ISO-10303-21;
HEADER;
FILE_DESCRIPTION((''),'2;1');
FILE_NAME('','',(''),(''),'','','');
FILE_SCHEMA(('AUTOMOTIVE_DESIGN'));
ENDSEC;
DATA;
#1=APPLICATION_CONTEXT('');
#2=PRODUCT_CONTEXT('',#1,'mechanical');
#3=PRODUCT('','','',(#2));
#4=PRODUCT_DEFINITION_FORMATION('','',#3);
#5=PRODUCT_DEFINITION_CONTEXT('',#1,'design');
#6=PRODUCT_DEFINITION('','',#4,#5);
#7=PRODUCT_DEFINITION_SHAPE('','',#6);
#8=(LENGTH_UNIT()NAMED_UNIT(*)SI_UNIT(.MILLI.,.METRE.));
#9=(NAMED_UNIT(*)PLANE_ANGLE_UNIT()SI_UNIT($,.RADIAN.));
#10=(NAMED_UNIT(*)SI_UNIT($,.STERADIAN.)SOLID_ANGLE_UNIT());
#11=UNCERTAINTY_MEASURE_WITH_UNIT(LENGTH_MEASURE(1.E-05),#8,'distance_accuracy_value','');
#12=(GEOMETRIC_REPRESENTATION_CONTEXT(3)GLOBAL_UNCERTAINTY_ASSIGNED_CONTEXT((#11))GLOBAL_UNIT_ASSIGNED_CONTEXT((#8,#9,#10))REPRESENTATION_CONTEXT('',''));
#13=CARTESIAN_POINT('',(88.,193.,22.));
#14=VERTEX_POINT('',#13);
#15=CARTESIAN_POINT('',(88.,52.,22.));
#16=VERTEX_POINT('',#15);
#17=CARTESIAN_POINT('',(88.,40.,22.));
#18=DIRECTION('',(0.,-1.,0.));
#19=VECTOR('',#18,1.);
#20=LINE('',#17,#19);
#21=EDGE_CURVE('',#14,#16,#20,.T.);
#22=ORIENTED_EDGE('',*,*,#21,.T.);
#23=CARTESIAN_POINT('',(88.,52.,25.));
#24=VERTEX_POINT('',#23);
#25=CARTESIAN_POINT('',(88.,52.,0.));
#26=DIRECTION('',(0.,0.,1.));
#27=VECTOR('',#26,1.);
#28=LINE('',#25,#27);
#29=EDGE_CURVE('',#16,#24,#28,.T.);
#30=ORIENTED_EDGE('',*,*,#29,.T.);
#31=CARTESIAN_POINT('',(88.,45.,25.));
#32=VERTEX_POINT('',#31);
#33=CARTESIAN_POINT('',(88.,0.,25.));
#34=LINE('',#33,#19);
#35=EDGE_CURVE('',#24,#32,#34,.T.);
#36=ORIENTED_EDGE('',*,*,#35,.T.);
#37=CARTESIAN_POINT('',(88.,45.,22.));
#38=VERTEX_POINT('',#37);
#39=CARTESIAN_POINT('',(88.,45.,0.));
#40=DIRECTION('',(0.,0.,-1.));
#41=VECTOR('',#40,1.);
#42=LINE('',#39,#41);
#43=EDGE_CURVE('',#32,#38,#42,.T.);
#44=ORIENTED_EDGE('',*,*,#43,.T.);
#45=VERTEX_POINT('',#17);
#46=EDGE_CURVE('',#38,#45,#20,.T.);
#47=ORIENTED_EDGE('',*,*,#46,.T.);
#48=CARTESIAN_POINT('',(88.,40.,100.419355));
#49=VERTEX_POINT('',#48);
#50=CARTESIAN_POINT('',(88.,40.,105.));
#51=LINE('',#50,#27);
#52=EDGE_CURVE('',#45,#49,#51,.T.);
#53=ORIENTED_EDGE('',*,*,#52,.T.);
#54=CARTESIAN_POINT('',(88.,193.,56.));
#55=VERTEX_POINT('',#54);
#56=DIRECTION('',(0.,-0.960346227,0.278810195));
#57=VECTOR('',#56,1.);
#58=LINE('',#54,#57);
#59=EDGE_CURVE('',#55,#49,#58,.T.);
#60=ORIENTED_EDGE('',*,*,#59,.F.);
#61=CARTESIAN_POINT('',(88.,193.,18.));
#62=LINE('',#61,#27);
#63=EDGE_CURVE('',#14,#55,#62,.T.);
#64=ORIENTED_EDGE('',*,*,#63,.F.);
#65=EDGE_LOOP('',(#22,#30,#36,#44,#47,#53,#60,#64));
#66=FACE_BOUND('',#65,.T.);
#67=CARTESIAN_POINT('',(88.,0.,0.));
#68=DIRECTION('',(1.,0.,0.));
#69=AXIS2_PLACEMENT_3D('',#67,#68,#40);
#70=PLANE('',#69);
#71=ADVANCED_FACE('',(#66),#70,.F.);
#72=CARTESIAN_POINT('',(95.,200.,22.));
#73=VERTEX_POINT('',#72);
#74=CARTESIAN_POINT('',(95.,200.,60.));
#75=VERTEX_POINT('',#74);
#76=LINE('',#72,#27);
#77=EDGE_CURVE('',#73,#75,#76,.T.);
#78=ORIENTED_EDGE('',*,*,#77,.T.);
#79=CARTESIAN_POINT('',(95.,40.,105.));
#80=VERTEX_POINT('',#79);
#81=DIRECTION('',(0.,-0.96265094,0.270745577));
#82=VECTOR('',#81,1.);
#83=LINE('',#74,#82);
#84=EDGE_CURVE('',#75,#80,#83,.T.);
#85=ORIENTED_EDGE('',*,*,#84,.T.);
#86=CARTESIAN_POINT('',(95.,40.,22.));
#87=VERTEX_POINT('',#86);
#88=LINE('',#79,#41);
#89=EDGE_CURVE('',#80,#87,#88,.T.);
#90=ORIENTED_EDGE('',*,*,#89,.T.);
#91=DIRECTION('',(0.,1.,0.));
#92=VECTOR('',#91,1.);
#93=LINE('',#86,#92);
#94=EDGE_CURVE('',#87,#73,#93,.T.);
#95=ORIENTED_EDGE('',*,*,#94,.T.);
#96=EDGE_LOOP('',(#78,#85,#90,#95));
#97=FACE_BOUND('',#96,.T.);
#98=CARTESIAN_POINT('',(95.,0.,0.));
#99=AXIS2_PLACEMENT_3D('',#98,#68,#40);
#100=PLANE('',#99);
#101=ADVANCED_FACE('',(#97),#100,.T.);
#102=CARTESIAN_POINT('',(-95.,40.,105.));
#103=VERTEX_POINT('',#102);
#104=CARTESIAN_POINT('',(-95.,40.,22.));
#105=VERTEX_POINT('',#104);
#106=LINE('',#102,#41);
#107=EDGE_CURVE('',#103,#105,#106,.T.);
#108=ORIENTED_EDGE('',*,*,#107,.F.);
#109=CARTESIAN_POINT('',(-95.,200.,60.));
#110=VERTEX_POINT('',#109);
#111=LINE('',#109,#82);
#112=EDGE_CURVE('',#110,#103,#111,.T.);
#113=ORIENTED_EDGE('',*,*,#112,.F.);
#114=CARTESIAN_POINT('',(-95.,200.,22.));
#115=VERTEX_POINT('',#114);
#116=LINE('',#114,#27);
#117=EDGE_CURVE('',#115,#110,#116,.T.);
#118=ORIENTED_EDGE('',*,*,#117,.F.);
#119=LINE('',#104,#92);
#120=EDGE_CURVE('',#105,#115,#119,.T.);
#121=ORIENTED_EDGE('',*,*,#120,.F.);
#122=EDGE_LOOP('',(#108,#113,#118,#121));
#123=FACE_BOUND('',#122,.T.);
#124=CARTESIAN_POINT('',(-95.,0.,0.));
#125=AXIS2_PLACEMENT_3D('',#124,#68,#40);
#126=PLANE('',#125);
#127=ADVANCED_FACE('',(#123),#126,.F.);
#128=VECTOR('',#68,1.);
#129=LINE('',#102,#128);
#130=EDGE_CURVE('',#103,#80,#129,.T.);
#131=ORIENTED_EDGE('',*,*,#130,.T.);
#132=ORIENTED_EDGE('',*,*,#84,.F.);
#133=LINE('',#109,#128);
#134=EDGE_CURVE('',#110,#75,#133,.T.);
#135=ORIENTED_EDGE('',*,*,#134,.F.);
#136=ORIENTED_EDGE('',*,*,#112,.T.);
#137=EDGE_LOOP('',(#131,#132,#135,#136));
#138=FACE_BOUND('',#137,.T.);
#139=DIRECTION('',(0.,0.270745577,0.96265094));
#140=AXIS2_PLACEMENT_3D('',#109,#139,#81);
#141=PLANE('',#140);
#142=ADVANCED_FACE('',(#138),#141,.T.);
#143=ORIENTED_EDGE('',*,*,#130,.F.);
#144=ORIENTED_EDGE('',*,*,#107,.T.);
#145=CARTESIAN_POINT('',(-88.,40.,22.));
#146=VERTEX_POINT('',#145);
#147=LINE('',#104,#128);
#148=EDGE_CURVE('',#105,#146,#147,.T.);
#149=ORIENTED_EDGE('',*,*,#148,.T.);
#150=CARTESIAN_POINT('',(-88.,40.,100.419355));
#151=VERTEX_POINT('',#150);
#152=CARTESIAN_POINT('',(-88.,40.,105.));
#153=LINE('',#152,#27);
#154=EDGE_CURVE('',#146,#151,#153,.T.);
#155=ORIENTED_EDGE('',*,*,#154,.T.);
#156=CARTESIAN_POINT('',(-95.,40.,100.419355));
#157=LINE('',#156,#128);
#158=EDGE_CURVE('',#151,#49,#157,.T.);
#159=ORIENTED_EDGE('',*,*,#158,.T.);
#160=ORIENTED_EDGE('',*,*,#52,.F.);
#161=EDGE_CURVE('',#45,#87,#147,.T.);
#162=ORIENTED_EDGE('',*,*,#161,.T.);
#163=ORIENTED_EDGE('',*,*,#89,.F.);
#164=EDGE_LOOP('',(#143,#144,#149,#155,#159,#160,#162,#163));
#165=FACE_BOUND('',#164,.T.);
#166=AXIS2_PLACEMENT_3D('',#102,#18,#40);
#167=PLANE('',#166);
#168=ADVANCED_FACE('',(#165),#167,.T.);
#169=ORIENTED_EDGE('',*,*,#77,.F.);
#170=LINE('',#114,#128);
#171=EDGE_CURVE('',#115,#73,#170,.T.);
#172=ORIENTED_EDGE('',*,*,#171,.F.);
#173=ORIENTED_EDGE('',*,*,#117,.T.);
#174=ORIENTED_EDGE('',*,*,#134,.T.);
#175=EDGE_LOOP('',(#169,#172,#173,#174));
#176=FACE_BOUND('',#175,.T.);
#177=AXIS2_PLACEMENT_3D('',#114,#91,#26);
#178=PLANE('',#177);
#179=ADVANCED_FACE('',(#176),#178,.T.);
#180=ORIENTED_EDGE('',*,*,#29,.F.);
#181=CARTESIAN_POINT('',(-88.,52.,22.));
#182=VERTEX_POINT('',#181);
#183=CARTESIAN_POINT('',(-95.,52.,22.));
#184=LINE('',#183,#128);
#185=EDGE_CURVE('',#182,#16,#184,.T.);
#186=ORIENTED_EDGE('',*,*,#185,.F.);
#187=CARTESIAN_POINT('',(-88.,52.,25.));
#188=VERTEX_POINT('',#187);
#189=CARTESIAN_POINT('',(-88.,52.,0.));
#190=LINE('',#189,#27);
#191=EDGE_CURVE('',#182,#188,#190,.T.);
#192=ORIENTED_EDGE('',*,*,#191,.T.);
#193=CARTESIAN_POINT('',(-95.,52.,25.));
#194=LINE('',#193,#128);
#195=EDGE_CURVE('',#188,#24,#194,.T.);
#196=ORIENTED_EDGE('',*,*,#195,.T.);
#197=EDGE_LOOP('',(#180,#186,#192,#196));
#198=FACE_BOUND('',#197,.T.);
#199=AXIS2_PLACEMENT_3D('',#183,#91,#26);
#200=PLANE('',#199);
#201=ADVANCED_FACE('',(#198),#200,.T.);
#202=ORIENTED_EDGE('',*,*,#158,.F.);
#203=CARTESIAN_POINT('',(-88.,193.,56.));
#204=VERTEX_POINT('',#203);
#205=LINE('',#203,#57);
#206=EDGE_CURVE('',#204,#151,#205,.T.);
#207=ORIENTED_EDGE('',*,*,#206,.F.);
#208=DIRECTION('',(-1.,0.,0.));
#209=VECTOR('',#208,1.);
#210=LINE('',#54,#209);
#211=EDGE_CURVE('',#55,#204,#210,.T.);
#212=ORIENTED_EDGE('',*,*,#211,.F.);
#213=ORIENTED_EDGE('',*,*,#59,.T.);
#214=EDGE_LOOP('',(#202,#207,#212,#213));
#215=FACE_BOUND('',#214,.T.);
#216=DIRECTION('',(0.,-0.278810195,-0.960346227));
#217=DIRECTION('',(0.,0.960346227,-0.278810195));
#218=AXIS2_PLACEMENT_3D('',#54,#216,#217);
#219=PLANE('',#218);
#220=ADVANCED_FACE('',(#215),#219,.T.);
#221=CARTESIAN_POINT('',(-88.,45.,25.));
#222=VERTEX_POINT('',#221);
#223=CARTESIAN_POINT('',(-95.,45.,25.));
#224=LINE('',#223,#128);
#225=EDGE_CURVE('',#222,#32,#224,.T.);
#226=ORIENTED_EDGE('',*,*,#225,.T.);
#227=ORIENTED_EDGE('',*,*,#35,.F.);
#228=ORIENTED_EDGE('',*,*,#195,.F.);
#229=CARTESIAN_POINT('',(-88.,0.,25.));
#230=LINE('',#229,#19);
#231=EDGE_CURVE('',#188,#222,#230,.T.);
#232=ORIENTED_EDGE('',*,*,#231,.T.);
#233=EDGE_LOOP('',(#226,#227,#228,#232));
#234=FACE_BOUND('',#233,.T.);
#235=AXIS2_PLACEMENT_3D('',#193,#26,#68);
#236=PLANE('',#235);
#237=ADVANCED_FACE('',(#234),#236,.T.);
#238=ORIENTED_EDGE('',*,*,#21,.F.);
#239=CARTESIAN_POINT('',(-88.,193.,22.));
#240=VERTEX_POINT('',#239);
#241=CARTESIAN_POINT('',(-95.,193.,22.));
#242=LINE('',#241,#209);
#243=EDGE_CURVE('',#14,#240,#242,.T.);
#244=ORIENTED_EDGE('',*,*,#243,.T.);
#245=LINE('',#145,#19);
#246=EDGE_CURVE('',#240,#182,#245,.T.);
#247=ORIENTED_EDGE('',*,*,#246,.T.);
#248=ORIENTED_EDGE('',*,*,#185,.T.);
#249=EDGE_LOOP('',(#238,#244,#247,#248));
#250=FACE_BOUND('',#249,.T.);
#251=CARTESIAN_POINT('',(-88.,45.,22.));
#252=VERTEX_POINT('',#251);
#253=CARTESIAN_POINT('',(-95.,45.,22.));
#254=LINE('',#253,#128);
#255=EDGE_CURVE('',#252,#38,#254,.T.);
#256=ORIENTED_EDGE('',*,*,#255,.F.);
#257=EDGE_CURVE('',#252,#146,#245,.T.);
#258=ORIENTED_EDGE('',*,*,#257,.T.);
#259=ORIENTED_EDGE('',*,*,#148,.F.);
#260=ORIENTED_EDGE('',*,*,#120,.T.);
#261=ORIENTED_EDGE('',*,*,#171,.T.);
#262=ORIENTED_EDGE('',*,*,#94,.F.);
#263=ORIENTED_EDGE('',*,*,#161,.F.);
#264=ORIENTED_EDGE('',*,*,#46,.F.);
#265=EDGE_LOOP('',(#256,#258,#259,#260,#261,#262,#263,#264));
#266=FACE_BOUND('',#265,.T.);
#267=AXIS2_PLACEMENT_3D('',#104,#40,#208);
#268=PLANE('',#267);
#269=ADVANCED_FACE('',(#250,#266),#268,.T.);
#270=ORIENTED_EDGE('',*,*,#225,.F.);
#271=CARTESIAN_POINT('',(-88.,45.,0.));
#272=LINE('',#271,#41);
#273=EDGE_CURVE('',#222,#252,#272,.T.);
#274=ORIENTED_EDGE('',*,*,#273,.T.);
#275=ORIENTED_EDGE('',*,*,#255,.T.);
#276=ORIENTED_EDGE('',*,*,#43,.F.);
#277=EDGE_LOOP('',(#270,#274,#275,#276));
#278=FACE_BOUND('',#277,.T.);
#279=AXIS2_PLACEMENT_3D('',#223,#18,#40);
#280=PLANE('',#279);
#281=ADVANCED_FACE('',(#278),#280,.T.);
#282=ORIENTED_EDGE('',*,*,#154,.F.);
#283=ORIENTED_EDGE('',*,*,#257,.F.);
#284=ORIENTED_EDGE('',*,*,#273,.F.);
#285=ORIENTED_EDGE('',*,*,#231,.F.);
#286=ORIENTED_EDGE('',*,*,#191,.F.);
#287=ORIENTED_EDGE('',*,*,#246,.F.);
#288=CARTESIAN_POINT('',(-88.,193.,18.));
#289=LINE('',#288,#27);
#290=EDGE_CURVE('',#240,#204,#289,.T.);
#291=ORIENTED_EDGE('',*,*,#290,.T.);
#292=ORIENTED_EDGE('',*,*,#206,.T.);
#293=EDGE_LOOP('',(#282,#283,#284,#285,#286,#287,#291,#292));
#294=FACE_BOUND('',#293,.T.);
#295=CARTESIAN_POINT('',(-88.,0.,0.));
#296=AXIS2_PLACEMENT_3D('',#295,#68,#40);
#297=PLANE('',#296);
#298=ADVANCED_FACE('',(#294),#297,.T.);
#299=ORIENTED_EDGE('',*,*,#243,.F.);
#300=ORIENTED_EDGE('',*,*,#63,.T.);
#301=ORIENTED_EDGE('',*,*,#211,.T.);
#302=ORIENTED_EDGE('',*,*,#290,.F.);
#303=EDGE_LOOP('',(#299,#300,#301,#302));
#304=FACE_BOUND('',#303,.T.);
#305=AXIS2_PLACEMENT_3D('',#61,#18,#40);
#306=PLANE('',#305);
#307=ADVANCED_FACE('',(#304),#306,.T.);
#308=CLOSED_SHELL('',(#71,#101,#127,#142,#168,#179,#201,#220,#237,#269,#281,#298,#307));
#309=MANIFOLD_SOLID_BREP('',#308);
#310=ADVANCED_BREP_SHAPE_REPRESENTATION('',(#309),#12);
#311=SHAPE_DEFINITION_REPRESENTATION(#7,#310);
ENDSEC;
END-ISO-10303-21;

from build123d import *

# Parameters (mm, degrees)
SLOPED_COVER_BLANK_DEPTH                      = 95
SLOPED_COVER_BLANK_DEPTH_BACK                 = 95
OPEN_BOTTOM_AND_FRONT_COVER_CAVITY_DEPTH      = 88
OPEN_BOTTOM_AND_FRONT_COVER_CAVITY_DEPTH_BACK = 88
FRONT_GASKET_COMPRESSION_RAIL_DEPTH           = 95
FRONT_GASKET_COMPRESSION_RAIL_DEPTH_BACK      = 95
FRONT_GASKET_COMPRESSION_RAIL_PROFILE_W       = 3
FRONT_GASKET_COMPRESSION_RAIL_PROFILE_H       = 7


with BuildPart() as part:
    # Sloped Cover Outer Side Profile → Sloped Cover Blank (new, two sides: drawn at the far end of the back side and taken through both)
    with BuildSketch(Plane(origin=(0, 0, 0), x_dir=(0, 0, -1), z_dir=(1, 0, 0)).offset(-SLOPED_COVER_BLANK_DEPTH_BACK)):
        Polygon((-22, 40), (-22, 200), (-60, 200), (-105, 40), align=None)
    extrude(amount=SLOPED_COVER_BLANK_DEPTH + SLOPED_COVER_BLANK_DEPTH_BACK)

    # Open Bottom Cover Cavity Profile → Open Bottom and Front Cover Cavity (cut, two sides: drawn at the far end of the back side and taken through both)
    with BuildSketch(Plane(origin=(0, 0, 0), x_dir=(0, 0, -1), z_dir=(1, 0, 0)).offset(-OPEN_BOTTOM_AND_FRONT_COVER_CAVITY_DEPTH_BACK)):
        Polygon((-18, 38), (-18, 193), (-56, 193), (-101, 38), align=None)
    extrude(amount=OPEN_BOTTOM_AND_FRONT_COVER_CAVITY_DEPTH + OPEN_BOTTOM_AND_FRONT_COVER_CAVITY_DEPTH_BACK, mode=Mode.SUBTRACT)

    # Front Gasket Compression Rail Profile → Front Gasket Compression Rail (add, two sides: drawn at the far end of the back side and taken through both)
    with BuildSketch(Plane(origin=(0, 0, 0), x_dir=(0, 0, -1), z_dir=(1, 0, 0)).offset(-FRONT_GASKET_COMPRESSION_RAIL_DEPTH_BACK)):
        with Locations((-23.5, 48.5)):
            Rectangle(FRONT_GASKET_COMPRESSION_RAIL_PROFILE_W, FRONT_GASKET_COMPRESSION_RAIL_PROFILE_H)
    extrude(amount=FRONT_GASKET_COMPRESSION_RAIL_DEPTH + FRONT_GASKET_COMPRESSION_RAIL_DEPTH_BACK)


solid = part.part
